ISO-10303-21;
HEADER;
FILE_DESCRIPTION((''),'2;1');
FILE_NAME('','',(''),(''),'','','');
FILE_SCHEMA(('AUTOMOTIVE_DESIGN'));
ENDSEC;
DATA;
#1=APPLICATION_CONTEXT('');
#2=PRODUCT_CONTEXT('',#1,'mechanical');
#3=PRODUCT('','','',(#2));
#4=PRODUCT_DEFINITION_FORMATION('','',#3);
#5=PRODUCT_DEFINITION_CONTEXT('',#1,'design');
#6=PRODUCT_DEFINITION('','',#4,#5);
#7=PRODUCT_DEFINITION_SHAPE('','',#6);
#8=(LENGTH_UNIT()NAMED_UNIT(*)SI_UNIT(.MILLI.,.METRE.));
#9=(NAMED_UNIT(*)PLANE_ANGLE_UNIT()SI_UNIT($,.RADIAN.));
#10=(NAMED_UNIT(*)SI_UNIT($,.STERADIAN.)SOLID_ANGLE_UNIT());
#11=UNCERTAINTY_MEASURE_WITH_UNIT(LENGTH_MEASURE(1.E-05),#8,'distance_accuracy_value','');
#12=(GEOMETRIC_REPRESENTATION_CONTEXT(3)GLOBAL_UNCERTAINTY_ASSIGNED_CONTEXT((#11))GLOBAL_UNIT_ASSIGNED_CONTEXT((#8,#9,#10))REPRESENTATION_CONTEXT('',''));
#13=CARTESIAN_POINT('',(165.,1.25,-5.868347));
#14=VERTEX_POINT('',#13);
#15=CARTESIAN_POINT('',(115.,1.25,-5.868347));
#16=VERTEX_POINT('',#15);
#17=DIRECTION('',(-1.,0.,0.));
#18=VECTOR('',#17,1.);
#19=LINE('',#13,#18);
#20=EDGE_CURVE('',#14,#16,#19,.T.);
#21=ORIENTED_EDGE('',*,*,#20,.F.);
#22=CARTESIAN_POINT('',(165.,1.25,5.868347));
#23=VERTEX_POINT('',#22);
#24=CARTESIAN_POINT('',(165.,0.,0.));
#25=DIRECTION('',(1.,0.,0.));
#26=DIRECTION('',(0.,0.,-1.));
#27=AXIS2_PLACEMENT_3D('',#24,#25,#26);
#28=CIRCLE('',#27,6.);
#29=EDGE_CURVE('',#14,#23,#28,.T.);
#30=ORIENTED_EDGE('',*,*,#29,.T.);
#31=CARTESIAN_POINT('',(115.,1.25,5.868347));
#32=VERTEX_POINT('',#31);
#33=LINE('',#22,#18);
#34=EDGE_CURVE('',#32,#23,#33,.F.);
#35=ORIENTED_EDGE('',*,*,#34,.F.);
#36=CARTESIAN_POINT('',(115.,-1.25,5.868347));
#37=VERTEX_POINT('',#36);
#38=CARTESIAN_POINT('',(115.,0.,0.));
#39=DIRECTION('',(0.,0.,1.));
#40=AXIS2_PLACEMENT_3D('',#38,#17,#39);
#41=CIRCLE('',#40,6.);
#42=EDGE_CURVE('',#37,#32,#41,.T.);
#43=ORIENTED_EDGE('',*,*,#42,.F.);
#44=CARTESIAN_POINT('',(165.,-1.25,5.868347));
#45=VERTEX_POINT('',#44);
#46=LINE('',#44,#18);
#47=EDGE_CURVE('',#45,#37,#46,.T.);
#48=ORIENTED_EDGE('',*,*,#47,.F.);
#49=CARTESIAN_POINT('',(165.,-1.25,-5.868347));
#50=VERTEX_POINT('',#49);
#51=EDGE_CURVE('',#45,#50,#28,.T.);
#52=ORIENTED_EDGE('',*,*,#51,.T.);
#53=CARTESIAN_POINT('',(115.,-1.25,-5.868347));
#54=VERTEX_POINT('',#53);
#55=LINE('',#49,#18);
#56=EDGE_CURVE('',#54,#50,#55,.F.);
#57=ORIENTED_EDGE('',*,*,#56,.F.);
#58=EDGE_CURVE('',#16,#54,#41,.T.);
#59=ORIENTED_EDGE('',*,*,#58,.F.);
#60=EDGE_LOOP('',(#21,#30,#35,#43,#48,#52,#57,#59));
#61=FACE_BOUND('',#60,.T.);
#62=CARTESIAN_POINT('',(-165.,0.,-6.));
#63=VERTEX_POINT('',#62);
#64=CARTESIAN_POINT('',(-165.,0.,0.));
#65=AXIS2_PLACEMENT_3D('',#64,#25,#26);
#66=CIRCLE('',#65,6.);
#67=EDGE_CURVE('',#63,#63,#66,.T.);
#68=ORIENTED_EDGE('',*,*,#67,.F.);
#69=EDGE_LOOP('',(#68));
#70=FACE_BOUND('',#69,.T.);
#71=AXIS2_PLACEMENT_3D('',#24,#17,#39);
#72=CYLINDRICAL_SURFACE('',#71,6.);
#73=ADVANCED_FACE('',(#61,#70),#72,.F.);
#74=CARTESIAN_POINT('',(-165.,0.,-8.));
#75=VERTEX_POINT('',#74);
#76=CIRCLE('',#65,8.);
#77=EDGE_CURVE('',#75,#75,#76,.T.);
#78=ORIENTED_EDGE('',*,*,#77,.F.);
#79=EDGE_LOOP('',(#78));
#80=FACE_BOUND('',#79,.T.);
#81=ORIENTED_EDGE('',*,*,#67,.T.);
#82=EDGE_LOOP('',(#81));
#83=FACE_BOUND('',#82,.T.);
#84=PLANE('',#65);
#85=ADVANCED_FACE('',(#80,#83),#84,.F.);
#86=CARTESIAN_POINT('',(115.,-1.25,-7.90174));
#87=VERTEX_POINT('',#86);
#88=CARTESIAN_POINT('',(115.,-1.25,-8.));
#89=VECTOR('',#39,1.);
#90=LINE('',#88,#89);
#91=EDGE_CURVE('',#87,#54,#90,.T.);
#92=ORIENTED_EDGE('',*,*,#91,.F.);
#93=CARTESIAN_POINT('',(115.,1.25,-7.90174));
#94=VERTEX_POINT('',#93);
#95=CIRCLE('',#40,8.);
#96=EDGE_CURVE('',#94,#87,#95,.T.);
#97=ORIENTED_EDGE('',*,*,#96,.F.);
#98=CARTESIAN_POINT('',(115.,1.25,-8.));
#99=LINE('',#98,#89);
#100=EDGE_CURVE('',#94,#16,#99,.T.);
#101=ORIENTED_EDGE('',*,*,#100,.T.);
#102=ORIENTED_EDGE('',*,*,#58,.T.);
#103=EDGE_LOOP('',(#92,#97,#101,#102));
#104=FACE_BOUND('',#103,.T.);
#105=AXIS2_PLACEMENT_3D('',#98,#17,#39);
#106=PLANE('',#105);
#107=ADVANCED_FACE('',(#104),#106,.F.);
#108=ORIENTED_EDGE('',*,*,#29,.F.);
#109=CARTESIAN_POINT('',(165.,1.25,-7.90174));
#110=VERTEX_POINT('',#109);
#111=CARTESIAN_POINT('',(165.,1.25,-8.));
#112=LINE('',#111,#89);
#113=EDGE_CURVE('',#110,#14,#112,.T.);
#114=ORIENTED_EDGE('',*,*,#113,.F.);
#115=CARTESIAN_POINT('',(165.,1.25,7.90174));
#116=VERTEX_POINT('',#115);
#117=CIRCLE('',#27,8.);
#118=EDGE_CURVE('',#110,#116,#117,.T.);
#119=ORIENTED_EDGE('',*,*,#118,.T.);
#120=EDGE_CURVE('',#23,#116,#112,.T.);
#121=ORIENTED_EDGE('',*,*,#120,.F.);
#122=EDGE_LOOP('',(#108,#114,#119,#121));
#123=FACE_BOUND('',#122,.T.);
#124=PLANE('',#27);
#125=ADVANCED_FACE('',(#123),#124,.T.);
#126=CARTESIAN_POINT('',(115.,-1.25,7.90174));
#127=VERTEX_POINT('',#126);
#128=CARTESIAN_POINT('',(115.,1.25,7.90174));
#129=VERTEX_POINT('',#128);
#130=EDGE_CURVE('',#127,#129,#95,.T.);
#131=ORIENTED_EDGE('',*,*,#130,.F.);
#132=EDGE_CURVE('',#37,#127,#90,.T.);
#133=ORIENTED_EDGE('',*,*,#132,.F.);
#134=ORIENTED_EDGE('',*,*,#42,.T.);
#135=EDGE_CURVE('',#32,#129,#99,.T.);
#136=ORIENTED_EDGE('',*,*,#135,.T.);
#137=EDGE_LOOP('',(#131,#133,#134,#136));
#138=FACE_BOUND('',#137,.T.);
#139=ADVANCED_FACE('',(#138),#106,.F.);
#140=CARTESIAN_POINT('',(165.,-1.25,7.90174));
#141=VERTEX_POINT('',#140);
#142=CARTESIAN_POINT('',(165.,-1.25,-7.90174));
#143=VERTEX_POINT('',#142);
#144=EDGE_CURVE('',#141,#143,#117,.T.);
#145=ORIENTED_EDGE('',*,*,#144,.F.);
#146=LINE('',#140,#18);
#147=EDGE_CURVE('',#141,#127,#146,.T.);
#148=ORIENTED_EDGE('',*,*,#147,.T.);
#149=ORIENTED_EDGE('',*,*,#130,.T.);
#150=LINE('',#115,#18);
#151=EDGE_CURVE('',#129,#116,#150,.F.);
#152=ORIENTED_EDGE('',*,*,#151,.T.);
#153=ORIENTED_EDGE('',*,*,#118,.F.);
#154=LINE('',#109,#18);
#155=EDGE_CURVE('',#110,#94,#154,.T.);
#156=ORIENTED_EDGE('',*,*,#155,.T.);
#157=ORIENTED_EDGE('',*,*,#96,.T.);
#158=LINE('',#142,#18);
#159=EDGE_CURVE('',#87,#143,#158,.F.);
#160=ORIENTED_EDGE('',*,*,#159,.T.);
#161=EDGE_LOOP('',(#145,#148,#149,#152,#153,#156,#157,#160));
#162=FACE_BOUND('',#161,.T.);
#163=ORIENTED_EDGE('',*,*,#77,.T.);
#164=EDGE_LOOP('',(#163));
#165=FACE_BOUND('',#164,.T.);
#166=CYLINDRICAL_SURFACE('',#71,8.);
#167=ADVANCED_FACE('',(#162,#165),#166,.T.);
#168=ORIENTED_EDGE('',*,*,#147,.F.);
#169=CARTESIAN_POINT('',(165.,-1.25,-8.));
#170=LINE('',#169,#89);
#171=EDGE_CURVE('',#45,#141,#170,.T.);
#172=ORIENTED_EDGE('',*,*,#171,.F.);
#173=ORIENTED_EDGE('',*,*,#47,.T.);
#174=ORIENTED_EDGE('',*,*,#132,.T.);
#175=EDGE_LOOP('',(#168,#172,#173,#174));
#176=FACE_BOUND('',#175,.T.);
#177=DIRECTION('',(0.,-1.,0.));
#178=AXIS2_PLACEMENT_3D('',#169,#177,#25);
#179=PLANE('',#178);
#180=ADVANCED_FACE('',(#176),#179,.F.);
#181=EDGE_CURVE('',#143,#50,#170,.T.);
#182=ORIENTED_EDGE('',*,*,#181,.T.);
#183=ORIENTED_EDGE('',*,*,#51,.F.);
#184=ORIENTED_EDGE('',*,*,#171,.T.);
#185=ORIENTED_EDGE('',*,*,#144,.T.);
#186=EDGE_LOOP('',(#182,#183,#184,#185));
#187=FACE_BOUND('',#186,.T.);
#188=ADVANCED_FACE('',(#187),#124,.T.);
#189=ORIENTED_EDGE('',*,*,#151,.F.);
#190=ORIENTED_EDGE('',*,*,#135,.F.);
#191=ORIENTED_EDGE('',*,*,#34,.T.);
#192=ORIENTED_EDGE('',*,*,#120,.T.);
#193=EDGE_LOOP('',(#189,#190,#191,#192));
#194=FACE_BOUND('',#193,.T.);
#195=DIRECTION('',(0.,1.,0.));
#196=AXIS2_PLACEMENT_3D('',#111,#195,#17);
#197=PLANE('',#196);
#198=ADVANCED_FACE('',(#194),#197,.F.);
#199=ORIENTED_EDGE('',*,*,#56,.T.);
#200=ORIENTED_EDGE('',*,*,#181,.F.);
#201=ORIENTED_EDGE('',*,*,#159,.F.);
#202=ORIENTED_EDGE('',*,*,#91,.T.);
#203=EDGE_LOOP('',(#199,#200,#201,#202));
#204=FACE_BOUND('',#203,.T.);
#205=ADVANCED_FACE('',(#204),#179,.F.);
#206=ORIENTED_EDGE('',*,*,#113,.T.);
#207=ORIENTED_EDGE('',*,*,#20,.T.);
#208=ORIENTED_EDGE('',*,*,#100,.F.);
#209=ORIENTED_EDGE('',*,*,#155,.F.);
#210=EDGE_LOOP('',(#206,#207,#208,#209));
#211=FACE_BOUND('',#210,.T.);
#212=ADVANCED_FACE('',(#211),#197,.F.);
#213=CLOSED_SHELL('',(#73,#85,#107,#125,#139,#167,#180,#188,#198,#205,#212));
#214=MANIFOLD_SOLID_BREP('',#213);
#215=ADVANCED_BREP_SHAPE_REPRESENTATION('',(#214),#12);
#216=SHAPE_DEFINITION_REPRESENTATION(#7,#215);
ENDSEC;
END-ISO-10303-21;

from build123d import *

# Parameters (mm, degrees)
SKETCH1_R               = 8
SKETCH1_R_2             = 6
BOSS_EXTRUDE1_DEPTH     = 165
SKETCH2_W               = 50
SKETCH2_H               = 2.5
CUT_EXTRUDE1_DEPTH      = 9
CUT_EXTRUDE1_DEPTH_BACK = 9


with BuildPart() as part:
    # Sketch1 → Boss-Extrude1 (new body, symmetric)
    with BuildSketch(Plane(origin=(0, 0, 0), x_dir=(0, 0, -1), z_dir=(1, 0, 0))):
        Circle(SKETCH1_R)
        Circle(SKETCH1_R_2, mode=Mode.SUBTRACT)
    extrude(amount=BOSS_EXTRUDE1_DEPTH, both=True)

    # Sketch2 → Cut-Extrude1 (cut, two sides)
    with BuildSketch(Plane.XY) as cut_extrude1_sk:
        with Locations((140, 0)):
            Rectangle(SKETCH2_W, SKETCH2_H)
    extrude(amount=CUT_EXTRUDE1_DEPTH, mode=Mode.SUBTRACT)
    extrude(cut_extrude1_sk.sketch, amount=-CUT_EXTRUDE1_DEPTH_BACK, mode=Mode.SUBTRACT)


solid = part.part
